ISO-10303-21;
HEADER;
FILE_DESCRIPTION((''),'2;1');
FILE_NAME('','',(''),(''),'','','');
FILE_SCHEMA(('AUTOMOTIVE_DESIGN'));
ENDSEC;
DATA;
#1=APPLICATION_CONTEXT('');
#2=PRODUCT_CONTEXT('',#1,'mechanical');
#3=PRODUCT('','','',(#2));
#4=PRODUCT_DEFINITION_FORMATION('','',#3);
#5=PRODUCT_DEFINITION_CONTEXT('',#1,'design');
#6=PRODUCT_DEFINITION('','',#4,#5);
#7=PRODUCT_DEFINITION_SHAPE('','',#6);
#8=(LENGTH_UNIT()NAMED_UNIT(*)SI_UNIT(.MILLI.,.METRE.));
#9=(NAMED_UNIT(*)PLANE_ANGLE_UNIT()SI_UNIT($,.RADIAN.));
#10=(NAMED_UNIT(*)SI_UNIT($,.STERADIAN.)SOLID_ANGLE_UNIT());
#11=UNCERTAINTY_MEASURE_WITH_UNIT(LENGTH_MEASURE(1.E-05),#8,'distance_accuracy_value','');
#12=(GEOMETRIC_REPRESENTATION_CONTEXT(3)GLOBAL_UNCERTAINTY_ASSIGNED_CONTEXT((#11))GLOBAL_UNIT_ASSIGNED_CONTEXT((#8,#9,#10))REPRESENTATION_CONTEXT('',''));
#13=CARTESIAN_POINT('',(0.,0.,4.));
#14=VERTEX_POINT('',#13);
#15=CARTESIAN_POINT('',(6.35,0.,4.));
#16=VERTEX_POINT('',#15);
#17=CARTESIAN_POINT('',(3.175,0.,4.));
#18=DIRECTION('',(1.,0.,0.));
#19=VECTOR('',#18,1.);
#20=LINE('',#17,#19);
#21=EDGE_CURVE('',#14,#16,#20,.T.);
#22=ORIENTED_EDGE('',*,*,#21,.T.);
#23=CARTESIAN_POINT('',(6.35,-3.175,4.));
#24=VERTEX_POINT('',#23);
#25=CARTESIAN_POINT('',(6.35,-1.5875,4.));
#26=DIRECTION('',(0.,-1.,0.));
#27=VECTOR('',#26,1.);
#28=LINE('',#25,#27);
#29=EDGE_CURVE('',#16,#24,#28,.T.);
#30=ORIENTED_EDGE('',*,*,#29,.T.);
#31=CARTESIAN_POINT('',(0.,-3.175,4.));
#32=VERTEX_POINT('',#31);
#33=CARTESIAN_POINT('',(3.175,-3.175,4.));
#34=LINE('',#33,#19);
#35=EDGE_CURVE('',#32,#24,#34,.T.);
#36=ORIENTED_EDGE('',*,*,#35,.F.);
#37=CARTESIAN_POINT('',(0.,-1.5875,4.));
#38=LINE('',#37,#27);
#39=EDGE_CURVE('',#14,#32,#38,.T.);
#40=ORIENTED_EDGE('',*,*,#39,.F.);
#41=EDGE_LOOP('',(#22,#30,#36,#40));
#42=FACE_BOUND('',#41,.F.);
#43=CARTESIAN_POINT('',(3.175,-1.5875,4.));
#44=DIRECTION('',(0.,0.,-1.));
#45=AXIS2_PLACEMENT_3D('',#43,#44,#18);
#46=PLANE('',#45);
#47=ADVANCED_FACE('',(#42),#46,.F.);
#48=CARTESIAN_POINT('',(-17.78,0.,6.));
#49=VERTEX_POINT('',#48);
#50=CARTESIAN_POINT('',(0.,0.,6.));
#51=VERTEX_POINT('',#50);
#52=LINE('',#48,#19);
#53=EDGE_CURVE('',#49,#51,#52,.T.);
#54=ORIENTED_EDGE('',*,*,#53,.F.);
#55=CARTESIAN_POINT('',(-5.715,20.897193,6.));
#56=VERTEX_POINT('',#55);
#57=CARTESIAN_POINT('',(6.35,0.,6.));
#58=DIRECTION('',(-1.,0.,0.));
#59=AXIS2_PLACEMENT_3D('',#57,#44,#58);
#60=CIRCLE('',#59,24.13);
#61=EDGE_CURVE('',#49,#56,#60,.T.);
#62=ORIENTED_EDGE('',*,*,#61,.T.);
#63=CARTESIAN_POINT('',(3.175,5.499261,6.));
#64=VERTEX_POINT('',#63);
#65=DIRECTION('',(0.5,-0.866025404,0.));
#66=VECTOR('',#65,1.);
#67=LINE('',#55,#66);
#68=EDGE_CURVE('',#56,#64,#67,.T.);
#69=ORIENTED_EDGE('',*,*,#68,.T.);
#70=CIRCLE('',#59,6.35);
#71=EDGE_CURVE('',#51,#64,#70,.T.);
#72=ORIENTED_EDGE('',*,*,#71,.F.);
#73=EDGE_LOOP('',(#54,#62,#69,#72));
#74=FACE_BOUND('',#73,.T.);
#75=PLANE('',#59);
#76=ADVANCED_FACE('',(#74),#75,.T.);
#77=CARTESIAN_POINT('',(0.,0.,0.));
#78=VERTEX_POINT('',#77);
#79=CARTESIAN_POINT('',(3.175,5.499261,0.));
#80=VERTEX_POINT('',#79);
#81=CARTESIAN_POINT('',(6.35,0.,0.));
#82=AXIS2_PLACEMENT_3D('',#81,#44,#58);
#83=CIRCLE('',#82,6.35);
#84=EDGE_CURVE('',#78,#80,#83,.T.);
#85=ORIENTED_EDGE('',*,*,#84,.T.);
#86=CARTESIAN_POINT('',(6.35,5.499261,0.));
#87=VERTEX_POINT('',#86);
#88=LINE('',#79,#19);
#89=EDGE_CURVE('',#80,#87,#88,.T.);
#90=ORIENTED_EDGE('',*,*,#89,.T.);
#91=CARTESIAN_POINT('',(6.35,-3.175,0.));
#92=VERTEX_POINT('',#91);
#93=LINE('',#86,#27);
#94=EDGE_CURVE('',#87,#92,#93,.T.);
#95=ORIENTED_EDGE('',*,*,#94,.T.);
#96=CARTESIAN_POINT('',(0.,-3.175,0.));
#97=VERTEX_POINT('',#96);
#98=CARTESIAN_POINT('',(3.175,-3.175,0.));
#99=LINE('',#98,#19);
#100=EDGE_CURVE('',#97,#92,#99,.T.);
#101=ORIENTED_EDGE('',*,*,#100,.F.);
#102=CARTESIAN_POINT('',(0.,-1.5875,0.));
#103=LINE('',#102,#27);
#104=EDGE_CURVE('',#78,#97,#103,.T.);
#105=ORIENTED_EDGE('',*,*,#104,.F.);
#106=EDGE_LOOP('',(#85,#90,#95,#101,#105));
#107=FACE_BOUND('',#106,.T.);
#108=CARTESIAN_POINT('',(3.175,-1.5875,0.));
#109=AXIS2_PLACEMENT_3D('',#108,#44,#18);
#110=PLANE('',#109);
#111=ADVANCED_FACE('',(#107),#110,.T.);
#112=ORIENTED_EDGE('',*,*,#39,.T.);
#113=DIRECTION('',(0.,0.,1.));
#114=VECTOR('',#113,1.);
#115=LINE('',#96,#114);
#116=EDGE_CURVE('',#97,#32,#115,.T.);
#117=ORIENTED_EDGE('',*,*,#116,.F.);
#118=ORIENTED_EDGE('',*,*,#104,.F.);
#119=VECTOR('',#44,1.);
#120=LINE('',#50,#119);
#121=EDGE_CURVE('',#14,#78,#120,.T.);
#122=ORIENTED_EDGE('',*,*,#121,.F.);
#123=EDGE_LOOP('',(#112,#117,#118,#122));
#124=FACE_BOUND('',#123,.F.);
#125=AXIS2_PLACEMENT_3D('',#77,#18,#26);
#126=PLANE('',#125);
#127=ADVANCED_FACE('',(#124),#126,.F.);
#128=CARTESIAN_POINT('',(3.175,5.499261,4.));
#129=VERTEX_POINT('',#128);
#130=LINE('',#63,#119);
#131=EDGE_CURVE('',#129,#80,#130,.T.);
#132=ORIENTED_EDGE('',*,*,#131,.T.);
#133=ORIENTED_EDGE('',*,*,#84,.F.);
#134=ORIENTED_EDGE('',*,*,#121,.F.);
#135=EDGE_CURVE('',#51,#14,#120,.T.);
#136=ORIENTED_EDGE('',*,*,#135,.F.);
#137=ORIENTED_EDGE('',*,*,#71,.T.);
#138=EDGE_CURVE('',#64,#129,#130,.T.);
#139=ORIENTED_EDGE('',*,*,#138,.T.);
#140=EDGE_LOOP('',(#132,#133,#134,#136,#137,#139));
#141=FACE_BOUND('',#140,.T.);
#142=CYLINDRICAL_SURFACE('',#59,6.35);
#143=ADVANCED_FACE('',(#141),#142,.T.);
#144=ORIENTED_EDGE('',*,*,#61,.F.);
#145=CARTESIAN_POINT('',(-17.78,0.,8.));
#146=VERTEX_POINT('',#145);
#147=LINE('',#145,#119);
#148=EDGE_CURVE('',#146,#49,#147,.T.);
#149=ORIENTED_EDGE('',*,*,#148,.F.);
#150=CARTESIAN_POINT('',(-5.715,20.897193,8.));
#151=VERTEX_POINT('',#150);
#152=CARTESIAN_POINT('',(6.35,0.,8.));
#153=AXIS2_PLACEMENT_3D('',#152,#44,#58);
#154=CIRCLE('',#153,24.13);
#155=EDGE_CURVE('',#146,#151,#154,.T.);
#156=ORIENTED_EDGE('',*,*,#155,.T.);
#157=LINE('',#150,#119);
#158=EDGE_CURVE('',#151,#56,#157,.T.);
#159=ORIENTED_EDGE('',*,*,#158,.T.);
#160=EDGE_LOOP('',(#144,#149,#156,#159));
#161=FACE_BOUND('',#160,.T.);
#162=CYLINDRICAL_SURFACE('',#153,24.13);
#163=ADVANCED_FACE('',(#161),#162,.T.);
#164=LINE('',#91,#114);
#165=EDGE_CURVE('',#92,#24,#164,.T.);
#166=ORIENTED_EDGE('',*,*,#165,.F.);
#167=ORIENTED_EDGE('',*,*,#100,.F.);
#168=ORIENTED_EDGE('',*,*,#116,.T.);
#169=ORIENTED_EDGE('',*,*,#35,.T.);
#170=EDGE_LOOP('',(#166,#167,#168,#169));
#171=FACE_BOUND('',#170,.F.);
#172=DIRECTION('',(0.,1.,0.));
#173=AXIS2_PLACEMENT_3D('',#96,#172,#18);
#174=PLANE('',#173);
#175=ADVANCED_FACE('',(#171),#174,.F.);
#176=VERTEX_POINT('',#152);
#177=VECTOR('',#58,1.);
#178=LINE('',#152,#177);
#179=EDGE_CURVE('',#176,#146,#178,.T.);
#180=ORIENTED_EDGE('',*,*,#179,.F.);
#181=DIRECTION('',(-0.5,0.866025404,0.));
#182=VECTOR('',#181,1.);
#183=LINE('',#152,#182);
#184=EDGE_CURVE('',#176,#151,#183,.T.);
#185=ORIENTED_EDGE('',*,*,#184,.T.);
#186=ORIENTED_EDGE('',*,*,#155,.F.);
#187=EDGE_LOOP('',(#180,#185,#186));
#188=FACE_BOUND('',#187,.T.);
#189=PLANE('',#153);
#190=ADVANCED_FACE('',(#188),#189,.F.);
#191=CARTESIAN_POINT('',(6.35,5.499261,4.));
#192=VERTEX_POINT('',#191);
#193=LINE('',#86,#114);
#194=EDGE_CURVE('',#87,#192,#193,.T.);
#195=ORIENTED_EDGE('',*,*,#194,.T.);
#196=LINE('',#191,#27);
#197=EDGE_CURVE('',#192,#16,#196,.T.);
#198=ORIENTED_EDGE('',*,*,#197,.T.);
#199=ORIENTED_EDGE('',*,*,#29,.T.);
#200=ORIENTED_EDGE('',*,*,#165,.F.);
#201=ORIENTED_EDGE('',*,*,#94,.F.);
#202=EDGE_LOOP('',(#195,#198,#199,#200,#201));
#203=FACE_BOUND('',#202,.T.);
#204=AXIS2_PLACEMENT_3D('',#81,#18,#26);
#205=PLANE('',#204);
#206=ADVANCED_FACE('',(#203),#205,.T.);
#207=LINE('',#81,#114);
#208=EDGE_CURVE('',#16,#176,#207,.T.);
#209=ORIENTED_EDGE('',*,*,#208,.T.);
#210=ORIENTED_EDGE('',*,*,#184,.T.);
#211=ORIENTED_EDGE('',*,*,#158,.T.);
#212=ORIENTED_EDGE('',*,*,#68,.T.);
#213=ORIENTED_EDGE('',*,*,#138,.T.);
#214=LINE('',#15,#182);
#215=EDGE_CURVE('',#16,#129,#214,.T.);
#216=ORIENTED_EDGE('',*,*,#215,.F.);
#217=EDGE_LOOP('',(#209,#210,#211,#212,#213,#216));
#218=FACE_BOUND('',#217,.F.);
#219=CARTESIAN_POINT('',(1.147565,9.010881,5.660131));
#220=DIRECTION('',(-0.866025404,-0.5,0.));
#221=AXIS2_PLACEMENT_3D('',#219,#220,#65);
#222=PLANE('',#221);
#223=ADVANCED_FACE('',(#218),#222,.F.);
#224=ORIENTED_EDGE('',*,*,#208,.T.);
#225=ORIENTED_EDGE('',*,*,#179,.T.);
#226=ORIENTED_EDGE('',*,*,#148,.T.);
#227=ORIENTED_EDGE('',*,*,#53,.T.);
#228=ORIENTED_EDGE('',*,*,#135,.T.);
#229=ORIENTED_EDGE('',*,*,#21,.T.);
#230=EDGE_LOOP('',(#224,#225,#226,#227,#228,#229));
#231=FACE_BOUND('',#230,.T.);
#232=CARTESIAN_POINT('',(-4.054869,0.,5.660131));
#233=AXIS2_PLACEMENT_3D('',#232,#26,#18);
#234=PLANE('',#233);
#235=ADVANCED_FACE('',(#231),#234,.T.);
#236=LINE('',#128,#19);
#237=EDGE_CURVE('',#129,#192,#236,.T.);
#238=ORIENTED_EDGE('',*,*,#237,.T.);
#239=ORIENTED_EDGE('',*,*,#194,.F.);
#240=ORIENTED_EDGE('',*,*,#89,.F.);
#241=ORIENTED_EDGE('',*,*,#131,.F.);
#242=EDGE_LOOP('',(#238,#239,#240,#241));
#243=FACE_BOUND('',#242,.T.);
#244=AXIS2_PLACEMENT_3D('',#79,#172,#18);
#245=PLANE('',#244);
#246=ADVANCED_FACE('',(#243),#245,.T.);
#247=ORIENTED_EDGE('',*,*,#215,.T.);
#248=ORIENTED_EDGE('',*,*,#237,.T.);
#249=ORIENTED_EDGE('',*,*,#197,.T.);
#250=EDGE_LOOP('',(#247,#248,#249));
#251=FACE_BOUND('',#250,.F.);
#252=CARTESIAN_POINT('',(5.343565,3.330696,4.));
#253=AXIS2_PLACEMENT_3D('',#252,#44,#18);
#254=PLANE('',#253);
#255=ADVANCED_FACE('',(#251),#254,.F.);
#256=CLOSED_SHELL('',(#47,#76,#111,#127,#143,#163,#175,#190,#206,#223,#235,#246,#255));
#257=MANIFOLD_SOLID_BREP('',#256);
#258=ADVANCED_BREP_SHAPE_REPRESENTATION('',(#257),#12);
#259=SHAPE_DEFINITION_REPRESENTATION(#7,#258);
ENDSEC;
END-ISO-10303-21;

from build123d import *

# Parameters (mm, degrees)
F1_ANGLE = 60
F2_W     = 6.35
F2_H     = 3.175
F3_DEPTH = 4


with BuildPart() as f1:
    # F0 (on Front) → F1 (revolve)
    with BuildSketch(Plane.XZ):
        Polygon((0, 6), (0, 0), (6.35, 0), (6.35, 8), (-17.78, 8), (-17.78, 6), align=None)
    revolve(axis=Axis((6.35, 0, 4), (0, 0, -1)), revolution_arc=F1_ANGLE)

    # F2 (on face) → F3 (join)
    with BuildSketch(Plane(origin=(0, 0, 0), x_dir=(1, 0, 0), z_dir=(0, 0, -1))):
        with Locations((3.175, 1.5875)):
            Rectangle(F2_W, F2_H)
        Polygon((6.35, 0), (3.175, -5.499261314), (6.35, -5.499261314), align=None)
    extrude(amount=-F3_DEPTH)


solid = f1.part
